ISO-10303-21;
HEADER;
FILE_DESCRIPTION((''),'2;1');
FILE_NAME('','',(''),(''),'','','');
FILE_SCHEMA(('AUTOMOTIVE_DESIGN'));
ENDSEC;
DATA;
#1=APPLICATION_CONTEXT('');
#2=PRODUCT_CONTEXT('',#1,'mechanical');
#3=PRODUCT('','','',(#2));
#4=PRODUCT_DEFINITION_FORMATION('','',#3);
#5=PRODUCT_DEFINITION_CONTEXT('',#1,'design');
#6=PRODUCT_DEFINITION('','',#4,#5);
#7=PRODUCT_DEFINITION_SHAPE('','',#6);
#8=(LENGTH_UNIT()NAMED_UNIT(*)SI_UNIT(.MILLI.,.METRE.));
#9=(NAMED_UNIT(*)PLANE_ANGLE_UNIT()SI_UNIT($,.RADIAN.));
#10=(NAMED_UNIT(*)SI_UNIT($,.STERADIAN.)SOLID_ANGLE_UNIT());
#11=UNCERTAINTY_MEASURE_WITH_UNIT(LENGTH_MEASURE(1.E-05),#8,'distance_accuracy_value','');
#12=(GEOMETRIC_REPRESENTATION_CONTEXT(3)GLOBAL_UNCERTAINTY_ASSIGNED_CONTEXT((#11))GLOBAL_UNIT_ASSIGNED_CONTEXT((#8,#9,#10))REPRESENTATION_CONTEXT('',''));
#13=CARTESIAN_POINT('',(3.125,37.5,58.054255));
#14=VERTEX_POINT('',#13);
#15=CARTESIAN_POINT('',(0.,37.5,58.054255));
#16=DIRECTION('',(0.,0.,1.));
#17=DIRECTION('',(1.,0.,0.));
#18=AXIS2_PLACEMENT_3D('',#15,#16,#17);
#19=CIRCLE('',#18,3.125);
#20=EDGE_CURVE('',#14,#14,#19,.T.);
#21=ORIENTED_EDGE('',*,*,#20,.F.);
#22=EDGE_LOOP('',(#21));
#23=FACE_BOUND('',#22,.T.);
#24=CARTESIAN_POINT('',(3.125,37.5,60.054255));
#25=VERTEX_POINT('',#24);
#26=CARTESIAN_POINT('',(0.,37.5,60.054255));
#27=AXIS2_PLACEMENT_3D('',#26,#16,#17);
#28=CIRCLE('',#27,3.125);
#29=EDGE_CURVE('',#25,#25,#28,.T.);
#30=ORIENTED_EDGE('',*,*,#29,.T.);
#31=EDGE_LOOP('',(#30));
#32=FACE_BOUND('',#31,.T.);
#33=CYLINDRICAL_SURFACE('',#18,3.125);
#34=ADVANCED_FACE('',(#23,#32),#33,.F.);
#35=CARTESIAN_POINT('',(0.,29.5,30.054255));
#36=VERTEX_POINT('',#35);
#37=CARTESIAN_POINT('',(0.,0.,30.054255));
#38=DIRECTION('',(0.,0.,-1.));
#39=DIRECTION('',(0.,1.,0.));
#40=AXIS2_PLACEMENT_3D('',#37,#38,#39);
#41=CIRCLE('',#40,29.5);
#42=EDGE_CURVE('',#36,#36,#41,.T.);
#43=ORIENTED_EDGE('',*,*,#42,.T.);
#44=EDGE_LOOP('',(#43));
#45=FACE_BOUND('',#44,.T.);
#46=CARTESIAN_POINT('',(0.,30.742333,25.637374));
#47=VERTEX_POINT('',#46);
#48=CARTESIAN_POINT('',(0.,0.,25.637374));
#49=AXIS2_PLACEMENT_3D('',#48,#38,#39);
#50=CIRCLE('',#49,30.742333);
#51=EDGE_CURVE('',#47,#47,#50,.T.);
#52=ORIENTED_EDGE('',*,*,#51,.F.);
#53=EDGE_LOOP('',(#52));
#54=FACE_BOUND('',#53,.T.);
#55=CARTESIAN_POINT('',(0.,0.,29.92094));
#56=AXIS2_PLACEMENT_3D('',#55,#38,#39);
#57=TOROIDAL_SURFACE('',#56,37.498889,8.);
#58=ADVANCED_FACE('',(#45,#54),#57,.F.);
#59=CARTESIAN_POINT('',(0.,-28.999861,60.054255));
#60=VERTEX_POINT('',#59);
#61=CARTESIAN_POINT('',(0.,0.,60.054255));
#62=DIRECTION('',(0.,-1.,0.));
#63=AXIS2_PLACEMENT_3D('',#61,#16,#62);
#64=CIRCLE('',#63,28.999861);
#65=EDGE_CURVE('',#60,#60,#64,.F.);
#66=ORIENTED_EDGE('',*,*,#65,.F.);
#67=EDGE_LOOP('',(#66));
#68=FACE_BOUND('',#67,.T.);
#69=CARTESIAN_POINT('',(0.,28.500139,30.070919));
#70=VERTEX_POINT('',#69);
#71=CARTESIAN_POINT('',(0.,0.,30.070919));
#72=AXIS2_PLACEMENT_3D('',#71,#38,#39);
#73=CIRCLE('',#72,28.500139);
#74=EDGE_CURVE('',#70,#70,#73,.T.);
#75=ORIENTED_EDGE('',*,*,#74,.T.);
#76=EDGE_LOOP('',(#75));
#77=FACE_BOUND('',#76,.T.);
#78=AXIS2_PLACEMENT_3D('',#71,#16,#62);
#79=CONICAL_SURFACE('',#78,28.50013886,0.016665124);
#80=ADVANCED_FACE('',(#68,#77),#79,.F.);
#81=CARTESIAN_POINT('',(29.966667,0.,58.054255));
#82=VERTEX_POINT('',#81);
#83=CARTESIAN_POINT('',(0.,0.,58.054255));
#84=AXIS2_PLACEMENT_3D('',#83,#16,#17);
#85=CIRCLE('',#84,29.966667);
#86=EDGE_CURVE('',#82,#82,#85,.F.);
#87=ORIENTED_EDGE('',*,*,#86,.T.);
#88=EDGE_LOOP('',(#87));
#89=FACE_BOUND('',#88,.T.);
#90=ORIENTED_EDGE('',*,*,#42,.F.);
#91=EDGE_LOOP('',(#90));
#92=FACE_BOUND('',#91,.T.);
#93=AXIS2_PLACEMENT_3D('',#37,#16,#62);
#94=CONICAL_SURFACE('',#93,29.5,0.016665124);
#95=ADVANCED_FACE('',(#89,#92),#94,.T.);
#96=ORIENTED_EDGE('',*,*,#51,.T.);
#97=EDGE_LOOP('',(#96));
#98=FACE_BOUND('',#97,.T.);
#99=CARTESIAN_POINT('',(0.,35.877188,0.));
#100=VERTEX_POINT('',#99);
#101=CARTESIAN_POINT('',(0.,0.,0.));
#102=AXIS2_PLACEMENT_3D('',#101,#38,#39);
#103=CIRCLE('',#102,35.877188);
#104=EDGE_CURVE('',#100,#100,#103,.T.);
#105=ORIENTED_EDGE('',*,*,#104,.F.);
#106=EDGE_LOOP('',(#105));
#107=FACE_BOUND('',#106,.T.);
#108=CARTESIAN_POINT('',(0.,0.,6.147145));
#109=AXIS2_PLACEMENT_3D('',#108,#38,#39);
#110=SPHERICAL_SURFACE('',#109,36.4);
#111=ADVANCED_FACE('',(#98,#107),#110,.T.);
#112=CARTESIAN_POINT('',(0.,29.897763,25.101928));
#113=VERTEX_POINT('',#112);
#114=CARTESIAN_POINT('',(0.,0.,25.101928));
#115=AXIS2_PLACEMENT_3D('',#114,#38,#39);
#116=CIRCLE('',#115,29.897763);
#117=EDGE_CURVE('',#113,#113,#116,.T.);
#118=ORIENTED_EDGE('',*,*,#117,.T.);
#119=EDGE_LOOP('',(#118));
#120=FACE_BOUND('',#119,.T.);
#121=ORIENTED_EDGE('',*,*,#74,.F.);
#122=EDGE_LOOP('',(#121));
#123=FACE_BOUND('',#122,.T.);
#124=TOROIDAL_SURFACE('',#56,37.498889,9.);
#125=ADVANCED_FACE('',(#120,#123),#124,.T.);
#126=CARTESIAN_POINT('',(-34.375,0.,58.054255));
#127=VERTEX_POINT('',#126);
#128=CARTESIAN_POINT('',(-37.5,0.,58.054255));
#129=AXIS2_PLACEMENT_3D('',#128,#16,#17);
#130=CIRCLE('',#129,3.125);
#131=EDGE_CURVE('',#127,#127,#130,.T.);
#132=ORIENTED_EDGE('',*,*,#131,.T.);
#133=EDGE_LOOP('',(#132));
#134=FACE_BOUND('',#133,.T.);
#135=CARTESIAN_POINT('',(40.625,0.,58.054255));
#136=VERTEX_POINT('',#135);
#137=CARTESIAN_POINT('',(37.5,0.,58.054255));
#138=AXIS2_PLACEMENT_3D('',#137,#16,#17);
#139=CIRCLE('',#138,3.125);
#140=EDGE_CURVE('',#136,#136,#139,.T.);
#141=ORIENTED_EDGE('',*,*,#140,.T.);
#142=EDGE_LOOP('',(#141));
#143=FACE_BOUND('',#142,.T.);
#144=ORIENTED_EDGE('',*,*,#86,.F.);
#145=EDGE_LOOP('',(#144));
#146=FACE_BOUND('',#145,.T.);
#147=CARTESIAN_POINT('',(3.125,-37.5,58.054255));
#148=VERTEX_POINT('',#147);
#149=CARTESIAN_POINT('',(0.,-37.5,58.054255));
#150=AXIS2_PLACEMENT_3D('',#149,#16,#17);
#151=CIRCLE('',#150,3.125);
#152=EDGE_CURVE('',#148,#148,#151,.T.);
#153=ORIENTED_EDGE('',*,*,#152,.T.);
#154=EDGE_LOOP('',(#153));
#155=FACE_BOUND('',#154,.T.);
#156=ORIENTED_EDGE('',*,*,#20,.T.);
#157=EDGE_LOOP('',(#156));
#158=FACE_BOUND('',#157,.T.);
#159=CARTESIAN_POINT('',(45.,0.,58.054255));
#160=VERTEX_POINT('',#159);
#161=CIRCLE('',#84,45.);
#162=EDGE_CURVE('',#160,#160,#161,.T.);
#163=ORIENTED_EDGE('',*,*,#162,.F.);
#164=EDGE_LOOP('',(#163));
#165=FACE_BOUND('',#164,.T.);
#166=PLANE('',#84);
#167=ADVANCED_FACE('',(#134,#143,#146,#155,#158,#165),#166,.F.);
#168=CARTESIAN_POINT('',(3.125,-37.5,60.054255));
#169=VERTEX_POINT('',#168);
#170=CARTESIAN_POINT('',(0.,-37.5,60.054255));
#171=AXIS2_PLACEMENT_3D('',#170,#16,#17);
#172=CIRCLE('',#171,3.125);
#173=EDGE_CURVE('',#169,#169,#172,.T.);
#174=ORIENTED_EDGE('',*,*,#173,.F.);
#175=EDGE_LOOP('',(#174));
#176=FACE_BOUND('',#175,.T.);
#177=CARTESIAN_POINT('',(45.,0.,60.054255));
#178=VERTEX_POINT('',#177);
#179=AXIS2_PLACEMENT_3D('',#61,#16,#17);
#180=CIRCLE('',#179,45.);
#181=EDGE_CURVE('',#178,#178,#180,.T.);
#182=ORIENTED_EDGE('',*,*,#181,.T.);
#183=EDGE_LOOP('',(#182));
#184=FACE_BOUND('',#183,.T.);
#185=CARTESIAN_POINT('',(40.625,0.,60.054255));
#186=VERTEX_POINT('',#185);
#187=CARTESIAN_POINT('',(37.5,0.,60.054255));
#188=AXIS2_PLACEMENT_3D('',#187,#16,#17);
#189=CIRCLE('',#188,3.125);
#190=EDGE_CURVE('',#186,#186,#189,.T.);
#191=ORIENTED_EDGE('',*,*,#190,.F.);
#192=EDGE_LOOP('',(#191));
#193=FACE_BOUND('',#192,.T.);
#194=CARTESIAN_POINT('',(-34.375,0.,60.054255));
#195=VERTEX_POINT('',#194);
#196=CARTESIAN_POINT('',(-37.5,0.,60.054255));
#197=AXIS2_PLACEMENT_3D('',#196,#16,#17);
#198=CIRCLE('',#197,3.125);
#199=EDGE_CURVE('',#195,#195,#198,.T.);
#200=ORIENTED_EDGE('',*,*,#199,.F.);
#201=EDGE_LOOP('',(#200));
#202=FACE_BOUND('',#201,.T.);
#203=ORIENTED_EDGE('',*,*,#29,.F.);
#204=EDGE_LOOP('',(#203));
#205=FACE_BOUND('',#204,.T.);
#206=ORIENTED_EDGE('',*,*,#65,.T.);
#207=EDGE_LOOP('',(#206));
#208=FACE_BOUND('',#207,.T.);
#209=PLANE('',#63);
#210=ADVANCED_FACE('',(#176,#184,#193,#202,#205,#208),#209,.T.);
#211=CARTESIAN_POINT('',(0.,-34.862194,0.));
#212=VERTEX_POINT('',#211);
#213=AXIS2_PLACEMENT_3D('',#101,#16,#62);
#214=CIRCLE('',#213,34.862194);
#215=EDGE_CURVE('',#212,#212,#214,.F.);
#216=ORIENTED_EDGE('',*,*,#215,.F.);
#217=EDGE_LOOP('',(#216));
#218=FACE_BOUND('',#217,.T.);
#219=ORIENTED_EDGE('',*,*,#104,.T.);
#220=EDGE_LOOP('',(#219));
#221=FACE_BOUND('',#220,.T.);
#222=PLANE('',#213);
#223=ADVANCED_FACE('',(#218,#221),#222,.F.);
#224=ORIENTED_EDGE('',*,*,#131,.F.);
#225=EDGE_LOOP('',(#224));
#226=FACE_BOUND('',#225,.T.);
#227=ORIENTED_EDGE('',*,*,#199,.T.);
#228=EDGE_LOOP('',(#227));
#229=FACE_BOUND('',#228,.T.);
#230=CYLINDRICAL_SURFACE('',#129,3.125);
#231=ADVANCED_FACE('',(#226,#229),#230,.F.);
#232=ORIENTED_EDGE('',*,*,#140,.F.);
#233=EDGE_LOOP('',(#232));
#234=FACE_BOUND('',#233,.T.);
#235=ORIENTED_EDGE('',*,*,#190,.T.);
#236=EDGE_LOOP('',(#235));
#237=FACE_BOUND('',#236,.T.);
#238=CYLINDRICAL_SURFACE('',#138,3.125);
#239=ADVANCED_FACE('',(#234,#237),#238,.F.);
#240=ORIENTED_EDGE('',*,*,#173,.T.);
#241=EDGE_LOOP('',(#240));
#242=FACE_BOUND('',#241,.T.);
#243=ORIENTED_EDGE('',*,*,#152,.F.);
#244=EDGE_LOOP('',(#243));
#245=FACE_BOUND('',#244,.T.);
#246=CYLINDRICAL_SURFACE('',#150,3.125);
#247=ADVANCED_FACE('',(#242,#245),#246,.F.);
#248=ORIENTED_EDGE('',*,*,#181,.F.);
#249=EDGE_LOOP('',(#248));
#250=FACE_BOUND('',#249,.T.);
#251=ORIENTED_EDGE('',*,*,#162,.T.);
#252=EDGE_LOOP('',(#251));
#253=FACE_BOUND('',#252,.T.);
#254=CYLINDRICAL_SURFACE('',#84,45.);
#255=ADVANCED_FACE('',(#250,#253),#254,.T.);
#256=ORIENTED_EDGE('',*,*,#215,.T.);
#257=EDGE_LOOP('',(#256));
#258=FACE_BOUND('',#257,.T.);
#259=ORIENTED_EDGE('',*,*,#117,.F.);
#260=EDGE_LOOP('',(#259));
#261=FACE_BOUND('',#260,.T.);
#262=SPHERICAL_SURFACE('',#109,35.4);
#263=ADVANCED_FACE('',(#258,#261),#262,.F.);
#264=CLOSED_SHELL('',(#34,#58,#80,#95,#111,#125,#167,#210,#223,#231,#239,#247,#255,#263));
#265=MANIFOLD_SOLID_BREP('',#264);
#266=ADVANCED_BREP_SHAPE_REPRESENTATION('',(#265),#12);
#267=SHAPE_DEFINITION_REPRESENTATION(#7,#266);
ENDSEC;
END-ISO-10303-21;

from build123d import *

# Parameters (mm, degrees)
SHELL1_T            = -1
SKETCH2_R           = 45
SKETCH2_R_2         = 3.125
SKETCH2_R_3         = 28.999861121
BOSS_EXTRUDE1_DEPTH = 2


with BuildPart() as part:
    # Sketch1 → Revolve1 (revolve)
    with BuildSketch(Plane(origin=(0, 0, 0), x_dir=(0, 0, -1), z_dir=(1, 0, 0))):
        with BuildLine():
            Line((0, 0), (-50.959835356, 0))
            Line((-50.959835356, 0), (-60.054255014, 0))
            Line((-60.054255014, 0), (-60.054255014, 30))
            Line((-60.054255014, 30), (-30.054255014, 29.5))
            ThreePointArc((-30.054255014, 29.5), (-27.754838856, 29.797720054), (-25.637373582, 30.742332522))
            ThreePointArc((-25.637373582, 30.742332522), (-22.902920152, 32.314145749), (-20.042663952, 33.643343571))
            ThreePointArc((-20.042663952, 33.643343571), (-10.179122164, 36.1760026), (0, 35.877187771))
            Line((0, 35.877187771), (0, 34.862194457))
            Line((0, 34.862194457), (0, 0))
        make_face()
    revolve(axis=Axis((0, 0, 0), (0, 0, 1)))

    # Shell1
    shell1_openings = [part.faces().sort_by_distance(p)[0] for p in [
        (0, 0, 0),
        (0, 0, 60.054255014),
    ]]
    offset(amount=SHELL1_T, openings=shell1_openings, kind=Kind.INTERSECTION)

    # Sketch2 → Boss-Extrude1 (add)
    with BuildSketch(Plane.XY.offset(60.054255014)):
        Circle(SKETCH2_R)
        with Locations((0, 37.5)):
            Circle(SKETCH2_R_2, mode=Mode.SUBTRACT)
        with Locations((37.5, 0)):
            Circle(SKETCH2_R_2, mode=Mode.SUBTRACT)
        with Locations((0, -37.5)):
            Circle(SKETCH2_R_2, mode=Mode.SUBTRACT)
        with Locations((-37.5, 0)):
            Circle(SKETCH2_R_2, mode=Mode.SUBTRACT)
        Circle(SKETCH2_R_3, mode=Mode.SUBTRACT)
    extrude(amount=-BOSS_EXTRUDE1_DEPTH)


solid = part.part
